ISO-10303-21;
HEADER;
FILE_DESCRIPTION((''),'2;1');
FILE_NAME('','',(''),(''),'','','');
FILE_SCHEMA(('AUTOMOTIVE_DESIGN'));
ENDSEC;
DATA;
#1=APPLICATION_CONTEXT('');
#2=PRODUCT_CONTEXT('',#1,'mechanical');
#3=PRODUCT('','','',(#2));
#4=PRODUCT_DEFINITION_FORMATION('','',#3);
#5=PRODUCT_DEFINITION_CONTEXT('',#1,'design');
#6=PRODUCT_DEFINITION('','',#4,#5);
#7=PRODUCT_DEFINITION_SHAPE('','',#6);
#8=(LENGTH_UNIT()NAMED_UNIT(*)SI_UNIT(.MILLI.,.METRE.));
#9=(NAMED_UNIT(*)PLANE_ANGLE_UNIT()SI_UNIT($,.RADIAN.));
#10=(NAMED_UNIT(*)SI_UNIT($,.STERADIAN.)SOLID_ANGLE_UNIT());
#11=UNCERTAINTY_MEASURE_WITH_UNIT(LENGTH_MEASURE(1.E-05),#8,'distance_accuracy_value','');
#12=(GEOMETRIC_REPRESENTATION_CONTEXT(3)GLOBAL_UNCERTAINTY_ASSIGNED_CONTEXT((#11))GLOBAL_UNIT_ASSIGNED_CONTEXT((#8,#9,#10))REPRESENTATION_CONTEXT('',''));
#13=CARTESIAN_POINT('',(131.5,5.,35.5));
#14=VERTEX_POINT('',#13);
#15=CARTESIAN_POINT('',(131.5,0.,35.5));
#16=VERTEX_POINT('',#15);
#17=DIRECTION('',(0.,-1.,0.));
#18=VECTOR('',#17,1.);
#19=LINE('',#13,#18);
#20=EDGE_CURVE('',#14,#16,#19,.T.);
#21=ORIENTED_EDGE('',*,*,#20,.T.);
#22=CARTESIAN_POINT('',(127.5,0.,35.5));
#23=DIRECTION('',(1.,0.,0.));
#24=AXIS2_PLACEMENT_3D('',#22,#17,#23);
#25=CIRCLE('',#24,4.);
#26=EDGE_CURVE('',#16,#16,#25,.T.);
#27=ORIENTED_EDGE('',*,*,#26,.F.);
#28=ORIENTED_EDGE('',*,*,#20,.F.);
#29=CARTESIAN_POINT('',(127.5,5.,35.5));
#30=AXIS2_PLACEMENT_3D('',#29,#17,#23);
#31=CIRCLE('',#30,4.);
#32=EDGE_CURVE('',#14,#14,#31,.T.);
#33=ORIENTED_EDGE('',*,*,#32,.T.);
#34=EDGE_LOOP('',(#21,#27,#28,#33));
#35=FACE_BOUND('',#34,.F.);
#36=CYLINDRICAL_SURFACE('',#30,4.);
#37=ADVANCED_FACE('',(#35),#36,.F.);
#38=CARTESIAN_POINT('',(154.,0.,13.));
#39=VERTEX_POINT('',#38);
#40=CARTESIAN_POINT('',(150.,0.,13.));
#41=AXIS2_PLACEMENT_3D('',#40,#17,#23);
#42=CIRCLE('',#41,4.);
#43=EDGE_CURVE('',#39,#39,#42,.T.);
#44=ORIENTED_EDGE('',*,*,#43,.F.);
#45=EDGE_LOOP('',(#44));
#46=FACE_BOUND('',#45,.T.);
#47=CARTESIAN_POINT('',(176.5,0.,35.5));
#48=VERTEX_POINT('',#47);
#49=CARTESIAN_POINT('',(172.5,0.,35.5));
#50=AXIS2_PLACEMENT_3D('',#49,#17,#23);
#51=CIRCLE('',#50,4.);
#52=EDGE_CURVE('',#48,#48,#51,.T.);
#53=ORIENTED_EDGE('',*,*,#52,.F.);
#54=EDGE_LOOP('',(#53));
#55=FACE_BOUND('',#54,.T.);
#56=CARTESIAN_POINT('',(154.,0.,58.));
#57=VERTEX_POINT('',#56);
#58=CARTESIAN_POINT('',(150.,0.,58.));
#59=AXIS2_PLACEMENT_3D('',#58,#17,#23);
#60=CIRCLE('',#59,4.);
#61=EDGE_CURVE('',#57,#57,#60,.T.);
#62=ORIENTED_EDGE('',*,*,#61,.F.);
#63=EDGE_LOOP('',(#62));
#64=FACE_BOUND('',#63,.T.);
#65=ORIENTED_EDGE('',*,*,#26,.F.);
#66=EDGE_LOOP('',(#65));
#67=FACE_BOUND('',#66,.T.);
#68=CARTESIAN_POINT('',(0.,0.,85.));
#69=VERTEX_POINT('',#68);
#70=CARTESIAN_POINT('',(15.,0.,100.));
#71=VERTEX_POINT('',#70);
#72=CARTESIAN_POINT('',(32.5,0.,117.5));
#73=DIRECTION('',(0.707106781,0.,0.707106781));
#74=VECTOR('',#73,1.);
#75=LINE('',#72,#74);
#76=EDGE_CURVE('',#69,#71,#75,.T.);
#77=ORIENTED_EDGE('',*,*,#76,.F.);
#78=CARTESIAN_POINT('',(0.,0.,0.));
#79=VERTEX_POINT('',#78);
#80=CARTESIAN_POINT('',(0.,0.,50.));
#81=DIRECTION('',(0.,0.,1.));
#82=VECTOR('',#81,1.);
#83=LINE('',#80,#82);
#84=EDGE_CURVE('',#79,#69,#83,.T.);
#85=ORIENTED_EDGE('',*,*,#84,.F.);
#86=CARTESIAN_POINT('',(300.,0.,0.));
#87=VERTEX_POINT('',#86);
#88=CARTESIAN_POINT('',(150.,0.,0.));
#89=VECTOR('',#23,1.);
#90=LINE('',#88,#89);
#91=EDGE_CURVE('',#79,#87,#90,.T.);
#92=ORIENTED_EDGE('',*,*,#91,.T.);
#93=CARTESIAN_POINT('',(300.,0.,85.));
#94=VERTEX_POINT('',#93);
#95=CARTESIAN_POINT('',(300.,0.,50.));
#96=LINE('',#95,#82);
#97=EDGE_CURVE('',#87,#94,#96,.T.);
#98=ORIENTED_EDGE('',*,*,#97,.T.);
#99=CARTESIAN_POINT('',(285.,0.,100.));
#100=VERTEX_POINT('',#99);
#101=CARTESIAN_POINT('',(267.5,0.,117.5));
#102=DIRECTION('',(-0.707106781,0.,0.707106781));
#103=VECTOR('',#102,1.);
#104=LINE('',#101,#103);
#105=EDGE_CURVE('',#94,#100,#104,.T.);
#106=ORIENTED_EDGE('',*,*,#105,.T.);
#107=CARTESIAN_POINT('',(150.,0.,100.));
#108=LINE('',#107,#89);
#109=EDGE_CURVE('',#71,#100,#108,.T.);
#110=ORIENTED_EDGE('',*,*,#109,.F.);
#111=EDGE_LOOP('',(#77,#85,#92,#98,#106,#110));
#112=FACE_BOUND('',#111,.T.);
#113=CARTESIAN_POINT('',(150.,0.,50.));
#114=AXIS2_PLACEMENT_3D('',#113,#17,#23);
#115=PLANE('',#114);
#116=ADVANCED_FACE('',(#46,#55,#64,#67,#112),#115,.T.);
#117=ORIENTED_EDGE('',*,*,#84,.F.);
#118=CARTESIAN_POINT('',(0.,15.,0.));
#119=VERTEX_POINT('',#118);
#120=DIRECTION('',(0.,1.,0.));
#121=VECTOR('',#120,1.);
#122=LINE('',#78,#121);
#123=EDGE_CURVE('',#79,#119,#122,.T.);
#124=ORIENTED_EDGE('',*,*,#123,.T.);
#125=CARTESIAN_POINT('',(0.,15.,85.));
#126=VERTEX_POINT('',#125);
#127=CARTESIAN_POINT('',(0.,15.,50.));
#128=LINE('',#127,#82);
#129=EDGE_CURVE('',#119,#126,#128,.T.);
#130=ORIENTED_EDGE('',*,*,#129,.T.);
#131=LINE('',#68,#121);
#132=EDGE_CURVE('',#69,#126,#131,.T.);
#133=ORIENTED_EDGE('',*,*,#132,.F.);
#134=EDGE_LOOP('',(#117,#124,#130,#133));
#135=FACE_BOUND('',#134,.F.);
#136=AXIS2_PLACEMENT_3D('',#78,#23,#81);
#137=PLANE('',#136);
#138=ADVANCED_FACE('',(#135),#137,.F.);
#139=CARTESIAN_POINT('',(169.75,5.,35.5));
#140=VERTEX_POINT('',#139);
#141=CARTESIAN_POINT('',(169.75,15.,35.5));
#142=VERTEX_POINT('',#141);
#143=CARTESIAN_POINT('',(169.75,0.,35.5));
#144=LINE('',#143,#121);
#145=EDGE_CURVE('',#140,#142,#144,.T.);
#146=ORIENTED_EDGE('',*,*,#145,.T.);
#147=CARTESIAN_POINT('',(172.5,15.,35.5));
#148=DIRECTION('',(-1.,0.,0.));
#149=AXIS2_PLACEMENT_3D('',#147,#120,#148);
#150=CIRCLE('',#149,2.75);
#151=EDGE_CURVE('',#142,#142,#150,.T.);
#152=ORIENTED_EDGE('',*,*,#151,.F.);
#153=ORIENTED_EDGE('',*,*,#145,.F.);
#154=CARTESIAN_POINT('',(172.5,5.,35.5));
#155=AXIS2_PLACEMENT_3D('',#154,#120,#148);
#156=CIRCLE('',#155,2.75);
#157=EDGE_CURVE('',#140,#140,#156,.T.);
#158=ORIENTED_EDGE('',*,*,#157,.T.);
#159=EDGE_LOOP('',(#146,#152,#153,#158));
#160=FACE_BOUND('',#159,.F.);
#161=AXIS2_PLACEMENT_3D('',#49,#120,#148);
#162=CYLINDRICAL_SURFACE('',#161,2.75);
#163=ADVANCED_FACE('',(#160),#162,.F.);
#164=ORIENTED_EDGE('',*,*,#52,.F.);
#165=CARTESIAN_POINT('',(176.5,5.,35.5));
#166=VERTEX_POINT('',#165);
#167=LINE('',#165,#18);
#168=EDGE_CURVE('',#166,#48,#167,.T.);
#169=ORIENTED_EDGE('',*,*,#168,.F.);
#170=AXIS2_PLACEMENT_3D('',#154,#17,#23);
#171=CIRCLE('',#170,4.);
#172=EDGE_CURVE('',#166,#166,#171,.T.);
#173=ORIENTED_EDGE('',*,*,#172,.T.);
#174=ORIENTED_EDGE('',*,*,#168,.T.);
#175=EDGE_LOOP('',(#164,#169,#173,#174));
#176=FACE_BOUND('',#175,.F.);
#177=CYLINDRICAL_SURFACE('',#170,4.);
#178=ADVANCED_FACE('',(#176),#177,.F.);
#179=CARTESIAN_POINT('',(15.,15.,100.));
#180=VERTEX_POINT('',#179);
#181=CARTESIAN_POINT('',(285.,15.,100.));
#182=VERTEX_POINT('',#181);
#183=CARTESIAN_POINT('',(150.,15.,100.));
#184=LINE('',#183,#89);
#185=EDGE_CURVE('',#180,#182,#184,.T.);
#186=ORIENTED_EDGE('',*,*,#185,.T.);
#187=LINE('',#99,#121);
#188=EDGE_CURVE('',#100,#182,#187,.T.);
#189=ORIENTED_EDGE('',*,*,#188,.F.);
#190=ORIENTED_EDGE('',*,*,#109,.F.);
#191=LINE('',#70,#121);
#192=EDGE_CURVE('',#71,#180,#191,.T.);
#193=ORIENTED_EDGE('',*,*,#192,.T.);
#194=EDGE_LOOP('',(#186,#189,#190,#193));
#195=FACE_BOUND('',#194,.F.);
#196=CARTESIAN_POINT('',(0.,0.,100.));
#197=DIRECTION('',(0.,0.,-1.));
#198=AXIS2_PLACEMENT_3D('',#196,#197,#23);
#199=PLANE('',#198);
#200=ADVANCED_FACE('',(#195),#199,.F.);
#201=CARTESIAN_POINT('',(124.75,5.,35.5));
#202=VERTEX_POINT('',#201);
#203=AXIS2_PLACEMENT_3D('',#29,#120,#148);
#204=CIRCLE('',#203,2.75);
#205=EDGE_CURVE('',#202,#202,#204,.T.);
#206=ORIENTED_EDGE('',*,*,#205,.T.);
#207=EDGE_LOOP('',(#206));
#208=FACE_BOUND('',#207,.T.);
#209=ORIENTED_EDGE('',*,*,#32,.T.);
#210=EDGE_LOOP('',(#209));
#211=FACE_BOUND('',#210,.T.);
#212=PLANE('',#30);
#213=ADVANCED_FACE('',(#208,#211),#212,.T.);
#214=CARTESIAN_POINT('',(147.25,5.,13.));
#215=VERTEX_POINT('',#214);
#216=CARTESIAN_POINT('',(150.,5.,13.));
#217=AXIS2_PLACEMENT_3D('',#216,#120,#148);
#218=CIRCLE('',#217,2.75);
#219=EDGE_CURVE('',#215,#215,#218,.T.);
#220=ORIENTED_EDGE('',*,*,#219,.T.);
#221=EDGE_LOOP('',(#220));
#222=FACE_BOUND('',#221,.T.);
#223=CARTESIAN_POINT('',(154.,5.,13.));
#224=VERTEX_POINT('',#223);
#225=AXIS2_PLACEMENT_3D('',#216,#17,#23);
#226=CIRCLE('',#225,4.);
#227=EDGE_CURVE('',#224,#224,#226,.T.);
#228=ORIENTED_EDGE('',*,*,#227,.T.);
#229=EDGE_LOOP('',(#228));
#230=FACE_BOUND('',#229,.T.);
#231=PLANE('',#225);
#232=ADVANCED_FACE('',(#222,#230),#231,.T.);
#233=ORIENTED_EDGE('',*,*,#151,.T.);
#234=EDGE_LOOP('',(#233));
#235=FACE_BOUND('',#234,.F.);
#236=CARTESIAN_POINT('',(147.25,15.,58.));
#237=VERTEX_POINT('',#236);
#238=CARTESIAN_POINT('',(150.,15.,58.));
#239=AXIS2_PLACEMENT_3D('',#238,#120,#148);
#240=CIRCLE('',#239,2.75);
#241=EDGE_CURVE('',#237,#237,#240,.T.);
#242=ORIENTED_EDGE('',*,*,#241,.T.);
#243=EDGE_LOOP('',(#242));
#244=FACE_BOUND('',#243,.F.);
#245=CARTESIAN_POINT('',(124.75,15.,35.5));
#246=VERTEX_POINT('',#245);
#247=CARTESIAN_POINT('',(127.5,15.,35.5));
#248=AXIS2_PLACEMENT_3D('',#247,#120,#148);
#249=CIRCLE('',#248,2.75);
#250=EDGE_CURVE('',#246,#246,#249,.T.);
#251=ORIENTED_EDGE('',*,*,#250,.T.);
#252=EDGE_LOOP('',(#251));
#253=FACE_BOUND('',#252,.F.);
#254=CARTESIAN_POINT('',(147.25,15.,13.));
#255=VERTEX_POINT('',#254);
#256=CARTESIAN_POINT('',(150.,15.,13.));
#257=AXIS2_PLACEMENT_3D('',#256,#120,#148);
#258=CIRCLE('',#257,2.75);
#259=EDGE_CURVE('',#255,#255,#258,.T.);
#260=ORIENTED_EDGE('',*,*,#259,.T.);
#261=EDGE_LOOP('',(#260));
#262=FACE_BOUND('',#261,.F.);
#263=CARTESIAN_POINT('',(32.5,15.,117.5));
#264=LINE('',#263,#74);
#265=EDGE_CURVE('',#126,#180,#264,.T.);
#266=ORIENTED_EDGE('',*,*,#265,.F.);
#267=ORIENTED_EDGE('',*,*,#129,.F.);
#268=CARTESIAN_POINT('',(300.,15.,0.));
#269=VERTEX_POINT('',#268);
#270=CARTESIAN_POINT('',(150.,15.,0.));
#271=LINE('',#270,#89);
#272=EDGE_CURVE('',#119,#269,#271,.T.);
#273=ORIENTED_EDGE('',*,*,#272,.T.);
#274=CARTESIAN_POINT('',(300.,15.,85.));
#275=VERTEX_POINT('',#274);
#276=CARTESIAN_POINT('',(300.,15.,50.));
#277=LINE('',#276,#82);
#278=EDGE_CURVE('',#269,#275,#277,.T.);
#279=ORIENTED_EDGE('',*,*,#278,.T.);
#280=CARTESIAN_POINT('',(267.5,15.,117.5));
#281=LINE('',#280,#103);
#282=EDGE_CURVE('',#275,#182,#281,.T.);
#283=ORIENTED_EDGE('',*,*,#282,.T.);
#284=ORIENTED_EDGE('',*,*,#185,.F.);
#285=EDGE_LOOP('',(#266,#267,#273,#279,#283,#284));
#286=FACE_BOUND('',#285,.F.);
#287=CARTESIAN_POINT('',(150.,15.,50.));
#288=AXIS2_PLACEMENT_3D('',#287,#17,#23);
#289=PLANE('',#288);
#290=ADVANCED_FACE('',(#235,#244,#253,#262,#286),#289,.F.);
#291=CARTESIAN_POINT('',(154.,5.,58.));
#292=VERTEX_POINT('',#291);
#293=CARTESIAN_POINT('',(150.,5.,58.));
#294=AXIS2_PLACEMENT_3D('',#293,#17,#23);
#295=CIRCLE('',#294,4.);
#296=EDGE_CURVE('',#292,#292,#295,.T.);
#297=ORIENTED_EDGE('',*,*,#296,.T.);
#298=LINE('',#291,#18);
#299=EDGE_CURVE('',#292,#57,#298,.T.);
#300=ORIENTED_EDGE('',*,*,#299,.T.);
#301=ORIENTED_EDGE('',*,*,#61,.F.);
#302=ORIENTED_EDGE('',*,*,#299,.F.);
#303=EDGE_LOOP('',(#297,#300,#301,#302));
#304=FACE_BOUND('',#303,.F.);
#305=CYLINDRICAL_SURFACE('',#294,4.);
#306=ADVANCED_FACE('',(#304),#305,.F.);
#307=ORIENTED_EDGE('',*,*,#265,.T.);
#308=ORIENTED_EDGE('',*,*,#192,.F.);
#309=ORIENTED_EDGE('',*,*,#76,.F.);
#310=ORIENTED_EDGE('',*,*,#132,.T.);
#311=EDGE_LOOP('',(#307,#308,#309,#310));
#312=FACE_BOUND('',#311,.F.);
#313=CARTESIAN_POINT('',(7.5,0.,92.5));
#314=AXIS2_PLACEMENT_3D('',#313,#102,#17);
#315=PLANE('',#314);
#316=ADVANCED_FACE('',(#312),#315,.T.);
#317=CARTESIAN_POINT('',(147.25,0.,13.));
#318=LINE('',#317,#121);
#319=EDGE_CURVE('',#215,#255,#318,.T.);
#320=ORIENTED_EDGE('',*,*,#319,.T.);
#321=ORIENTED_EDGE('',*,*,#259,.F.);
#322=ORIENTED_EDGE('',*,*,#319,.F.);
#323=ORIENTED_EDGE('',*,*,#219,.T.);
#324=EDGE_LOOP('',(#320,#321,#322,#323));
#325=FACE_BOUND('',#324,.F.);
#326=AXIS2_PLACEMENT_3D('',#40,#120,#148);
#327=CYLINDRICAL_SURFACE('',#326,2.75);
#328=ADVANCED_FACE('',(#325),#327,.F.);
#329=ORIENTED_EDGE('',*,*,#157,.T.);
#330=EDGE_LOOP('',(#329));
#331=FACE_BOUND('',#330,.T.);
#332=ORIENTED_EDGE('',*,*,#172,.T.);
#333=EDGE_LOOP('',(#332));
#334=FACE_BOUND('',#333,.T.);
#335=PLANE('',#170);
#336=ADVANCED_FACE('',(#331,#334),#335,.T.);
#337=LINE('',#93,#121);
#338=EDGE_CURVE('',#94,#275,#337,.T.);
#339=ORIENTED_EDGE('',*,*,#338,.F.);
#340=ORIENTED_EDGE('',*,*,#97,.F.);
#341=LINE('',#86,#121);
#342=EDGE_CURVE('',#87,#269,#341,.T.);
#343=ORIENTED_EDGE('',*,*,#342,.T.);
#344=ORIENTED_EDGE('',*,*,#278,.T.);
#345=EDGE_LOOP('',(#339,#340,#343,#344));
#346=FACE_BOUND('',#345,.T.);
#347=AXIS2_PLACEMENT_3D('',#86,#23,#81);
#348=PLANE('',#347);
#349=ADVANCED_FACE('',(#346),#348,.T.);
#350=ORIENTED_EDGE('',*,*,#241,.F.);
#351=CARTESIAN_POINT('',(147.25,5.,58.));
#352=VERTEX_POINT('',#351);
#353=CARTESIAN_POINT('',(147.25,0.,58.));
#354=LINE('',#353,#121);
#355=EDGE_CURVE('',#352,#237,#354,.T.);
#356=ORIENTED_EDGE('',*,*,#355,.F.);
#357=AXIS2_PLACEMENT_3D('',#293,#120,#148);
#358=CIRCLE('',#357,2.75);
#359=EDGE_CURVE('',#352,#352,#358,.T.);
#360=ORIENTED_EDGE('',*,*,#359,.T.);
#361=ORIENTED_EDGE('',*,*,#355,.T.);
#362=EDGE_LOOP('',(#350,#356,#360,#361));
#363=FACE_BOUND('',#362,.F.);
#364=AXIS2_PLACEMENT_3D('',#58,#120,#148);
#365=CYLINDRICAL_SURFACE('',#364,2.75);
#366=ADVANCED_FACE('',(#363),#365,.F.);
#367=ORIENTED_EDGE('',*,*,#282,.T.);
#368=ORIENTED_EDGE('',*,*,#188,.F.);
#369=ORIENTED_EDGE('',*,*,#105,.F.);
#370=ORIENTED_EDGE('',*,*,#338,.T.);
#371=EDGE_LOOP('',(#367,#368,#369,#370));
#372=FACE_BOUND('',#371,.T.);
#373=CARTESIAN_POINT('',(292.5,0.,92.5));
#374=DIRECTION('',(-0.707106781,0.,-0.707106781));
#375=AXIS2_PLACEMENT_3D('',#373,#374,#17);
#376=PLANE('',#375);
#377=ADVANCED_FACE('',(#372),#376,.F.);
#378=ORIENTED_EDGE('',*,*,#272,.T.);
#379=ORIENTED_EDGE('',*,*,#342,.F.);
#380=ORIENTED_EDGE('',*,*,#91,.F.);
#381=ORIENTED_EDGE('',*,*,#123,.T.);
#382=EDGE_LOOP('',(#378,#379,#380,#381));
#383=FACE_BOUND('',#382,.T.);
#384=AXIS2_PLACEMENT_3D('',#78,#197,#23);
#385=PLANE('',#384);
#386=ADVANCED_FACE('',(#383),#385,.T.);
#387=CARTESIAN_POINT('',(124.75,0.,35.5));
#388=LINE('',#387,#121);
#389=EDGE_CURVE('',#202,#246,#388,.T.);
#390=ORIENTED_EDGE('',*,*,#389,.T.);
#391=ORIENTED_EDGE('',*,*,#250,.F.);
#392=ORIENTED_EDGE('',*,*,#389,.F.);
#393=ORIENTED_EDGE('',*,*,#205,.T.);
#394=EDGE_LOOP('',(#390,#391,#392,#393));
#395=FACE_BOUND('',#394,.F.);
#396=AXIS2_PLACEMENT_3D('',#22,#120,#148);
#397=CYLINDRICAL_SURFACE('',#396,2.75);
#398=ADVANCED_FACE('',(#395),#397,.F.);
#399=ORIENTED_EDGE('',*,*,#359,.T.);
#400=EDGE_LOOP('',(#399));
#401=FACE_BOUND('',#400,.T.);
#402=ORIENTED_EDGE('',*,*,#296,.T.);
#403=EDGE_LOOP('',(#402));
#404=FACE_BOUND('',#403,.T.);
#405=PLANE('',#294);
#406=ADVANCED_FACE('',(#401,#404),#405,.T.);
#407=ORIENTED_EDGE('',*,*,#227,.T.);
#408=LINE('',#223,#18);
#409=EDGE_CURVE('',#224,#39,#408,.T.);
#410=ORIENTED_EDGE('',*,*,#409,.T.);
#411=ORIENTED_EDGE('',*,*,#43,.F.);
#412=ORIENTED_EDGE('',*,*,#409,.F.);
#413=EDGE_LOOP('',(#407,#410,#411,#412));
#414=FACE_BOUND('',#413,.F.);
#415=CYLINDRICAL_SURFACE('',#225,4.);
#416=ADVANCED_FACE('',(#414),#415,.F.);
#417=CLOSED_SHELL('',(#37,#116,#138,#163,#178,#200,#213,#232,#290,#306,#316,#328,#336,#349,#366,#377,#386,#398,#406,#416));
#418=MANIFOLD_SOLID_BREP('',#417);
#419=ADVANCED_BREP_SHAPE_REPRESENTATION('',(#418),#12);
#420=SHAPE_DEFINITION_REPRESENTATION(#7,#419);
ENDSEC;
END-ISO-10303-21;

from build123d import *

# Parameters (mm, degrees)
F0_W           = 300
F0_H           = 100
F1_DEPTH       = 15
F3_SIZE        = 15
F4_D           = 5.5
F4_CBORE_D     = 8
F4_CBORE_DEPTH = 5


with BuildPart() as f1:
    # F0 (on Front) → F1 (new body)
    with BuildSketch(Plane.XZ):
        with Locations((150, 50)):
            Rectangle(F0_W, F0_H)
    extrude(amount=-F1_DEPTH)

    # F3
    f3_edges = [f1.edges().sort_by_distance(p)[0] for p in [
        (0, 7.5, 100),
        (300, 7.5, 100),
    ]]
    chamfer(f3_edges, length=F3_SIZE)

    # F4 (through all)
    with Locations(Plane.XZ):
        with Locations((127.5, 35.5), (150, 58), (172.5, 35.5), (150, 13)):
            CounterBoreHole(F4_D / 2, F4_CBORE_D / 2, F4_CBORE_DEPTH)


solid = f1.part
